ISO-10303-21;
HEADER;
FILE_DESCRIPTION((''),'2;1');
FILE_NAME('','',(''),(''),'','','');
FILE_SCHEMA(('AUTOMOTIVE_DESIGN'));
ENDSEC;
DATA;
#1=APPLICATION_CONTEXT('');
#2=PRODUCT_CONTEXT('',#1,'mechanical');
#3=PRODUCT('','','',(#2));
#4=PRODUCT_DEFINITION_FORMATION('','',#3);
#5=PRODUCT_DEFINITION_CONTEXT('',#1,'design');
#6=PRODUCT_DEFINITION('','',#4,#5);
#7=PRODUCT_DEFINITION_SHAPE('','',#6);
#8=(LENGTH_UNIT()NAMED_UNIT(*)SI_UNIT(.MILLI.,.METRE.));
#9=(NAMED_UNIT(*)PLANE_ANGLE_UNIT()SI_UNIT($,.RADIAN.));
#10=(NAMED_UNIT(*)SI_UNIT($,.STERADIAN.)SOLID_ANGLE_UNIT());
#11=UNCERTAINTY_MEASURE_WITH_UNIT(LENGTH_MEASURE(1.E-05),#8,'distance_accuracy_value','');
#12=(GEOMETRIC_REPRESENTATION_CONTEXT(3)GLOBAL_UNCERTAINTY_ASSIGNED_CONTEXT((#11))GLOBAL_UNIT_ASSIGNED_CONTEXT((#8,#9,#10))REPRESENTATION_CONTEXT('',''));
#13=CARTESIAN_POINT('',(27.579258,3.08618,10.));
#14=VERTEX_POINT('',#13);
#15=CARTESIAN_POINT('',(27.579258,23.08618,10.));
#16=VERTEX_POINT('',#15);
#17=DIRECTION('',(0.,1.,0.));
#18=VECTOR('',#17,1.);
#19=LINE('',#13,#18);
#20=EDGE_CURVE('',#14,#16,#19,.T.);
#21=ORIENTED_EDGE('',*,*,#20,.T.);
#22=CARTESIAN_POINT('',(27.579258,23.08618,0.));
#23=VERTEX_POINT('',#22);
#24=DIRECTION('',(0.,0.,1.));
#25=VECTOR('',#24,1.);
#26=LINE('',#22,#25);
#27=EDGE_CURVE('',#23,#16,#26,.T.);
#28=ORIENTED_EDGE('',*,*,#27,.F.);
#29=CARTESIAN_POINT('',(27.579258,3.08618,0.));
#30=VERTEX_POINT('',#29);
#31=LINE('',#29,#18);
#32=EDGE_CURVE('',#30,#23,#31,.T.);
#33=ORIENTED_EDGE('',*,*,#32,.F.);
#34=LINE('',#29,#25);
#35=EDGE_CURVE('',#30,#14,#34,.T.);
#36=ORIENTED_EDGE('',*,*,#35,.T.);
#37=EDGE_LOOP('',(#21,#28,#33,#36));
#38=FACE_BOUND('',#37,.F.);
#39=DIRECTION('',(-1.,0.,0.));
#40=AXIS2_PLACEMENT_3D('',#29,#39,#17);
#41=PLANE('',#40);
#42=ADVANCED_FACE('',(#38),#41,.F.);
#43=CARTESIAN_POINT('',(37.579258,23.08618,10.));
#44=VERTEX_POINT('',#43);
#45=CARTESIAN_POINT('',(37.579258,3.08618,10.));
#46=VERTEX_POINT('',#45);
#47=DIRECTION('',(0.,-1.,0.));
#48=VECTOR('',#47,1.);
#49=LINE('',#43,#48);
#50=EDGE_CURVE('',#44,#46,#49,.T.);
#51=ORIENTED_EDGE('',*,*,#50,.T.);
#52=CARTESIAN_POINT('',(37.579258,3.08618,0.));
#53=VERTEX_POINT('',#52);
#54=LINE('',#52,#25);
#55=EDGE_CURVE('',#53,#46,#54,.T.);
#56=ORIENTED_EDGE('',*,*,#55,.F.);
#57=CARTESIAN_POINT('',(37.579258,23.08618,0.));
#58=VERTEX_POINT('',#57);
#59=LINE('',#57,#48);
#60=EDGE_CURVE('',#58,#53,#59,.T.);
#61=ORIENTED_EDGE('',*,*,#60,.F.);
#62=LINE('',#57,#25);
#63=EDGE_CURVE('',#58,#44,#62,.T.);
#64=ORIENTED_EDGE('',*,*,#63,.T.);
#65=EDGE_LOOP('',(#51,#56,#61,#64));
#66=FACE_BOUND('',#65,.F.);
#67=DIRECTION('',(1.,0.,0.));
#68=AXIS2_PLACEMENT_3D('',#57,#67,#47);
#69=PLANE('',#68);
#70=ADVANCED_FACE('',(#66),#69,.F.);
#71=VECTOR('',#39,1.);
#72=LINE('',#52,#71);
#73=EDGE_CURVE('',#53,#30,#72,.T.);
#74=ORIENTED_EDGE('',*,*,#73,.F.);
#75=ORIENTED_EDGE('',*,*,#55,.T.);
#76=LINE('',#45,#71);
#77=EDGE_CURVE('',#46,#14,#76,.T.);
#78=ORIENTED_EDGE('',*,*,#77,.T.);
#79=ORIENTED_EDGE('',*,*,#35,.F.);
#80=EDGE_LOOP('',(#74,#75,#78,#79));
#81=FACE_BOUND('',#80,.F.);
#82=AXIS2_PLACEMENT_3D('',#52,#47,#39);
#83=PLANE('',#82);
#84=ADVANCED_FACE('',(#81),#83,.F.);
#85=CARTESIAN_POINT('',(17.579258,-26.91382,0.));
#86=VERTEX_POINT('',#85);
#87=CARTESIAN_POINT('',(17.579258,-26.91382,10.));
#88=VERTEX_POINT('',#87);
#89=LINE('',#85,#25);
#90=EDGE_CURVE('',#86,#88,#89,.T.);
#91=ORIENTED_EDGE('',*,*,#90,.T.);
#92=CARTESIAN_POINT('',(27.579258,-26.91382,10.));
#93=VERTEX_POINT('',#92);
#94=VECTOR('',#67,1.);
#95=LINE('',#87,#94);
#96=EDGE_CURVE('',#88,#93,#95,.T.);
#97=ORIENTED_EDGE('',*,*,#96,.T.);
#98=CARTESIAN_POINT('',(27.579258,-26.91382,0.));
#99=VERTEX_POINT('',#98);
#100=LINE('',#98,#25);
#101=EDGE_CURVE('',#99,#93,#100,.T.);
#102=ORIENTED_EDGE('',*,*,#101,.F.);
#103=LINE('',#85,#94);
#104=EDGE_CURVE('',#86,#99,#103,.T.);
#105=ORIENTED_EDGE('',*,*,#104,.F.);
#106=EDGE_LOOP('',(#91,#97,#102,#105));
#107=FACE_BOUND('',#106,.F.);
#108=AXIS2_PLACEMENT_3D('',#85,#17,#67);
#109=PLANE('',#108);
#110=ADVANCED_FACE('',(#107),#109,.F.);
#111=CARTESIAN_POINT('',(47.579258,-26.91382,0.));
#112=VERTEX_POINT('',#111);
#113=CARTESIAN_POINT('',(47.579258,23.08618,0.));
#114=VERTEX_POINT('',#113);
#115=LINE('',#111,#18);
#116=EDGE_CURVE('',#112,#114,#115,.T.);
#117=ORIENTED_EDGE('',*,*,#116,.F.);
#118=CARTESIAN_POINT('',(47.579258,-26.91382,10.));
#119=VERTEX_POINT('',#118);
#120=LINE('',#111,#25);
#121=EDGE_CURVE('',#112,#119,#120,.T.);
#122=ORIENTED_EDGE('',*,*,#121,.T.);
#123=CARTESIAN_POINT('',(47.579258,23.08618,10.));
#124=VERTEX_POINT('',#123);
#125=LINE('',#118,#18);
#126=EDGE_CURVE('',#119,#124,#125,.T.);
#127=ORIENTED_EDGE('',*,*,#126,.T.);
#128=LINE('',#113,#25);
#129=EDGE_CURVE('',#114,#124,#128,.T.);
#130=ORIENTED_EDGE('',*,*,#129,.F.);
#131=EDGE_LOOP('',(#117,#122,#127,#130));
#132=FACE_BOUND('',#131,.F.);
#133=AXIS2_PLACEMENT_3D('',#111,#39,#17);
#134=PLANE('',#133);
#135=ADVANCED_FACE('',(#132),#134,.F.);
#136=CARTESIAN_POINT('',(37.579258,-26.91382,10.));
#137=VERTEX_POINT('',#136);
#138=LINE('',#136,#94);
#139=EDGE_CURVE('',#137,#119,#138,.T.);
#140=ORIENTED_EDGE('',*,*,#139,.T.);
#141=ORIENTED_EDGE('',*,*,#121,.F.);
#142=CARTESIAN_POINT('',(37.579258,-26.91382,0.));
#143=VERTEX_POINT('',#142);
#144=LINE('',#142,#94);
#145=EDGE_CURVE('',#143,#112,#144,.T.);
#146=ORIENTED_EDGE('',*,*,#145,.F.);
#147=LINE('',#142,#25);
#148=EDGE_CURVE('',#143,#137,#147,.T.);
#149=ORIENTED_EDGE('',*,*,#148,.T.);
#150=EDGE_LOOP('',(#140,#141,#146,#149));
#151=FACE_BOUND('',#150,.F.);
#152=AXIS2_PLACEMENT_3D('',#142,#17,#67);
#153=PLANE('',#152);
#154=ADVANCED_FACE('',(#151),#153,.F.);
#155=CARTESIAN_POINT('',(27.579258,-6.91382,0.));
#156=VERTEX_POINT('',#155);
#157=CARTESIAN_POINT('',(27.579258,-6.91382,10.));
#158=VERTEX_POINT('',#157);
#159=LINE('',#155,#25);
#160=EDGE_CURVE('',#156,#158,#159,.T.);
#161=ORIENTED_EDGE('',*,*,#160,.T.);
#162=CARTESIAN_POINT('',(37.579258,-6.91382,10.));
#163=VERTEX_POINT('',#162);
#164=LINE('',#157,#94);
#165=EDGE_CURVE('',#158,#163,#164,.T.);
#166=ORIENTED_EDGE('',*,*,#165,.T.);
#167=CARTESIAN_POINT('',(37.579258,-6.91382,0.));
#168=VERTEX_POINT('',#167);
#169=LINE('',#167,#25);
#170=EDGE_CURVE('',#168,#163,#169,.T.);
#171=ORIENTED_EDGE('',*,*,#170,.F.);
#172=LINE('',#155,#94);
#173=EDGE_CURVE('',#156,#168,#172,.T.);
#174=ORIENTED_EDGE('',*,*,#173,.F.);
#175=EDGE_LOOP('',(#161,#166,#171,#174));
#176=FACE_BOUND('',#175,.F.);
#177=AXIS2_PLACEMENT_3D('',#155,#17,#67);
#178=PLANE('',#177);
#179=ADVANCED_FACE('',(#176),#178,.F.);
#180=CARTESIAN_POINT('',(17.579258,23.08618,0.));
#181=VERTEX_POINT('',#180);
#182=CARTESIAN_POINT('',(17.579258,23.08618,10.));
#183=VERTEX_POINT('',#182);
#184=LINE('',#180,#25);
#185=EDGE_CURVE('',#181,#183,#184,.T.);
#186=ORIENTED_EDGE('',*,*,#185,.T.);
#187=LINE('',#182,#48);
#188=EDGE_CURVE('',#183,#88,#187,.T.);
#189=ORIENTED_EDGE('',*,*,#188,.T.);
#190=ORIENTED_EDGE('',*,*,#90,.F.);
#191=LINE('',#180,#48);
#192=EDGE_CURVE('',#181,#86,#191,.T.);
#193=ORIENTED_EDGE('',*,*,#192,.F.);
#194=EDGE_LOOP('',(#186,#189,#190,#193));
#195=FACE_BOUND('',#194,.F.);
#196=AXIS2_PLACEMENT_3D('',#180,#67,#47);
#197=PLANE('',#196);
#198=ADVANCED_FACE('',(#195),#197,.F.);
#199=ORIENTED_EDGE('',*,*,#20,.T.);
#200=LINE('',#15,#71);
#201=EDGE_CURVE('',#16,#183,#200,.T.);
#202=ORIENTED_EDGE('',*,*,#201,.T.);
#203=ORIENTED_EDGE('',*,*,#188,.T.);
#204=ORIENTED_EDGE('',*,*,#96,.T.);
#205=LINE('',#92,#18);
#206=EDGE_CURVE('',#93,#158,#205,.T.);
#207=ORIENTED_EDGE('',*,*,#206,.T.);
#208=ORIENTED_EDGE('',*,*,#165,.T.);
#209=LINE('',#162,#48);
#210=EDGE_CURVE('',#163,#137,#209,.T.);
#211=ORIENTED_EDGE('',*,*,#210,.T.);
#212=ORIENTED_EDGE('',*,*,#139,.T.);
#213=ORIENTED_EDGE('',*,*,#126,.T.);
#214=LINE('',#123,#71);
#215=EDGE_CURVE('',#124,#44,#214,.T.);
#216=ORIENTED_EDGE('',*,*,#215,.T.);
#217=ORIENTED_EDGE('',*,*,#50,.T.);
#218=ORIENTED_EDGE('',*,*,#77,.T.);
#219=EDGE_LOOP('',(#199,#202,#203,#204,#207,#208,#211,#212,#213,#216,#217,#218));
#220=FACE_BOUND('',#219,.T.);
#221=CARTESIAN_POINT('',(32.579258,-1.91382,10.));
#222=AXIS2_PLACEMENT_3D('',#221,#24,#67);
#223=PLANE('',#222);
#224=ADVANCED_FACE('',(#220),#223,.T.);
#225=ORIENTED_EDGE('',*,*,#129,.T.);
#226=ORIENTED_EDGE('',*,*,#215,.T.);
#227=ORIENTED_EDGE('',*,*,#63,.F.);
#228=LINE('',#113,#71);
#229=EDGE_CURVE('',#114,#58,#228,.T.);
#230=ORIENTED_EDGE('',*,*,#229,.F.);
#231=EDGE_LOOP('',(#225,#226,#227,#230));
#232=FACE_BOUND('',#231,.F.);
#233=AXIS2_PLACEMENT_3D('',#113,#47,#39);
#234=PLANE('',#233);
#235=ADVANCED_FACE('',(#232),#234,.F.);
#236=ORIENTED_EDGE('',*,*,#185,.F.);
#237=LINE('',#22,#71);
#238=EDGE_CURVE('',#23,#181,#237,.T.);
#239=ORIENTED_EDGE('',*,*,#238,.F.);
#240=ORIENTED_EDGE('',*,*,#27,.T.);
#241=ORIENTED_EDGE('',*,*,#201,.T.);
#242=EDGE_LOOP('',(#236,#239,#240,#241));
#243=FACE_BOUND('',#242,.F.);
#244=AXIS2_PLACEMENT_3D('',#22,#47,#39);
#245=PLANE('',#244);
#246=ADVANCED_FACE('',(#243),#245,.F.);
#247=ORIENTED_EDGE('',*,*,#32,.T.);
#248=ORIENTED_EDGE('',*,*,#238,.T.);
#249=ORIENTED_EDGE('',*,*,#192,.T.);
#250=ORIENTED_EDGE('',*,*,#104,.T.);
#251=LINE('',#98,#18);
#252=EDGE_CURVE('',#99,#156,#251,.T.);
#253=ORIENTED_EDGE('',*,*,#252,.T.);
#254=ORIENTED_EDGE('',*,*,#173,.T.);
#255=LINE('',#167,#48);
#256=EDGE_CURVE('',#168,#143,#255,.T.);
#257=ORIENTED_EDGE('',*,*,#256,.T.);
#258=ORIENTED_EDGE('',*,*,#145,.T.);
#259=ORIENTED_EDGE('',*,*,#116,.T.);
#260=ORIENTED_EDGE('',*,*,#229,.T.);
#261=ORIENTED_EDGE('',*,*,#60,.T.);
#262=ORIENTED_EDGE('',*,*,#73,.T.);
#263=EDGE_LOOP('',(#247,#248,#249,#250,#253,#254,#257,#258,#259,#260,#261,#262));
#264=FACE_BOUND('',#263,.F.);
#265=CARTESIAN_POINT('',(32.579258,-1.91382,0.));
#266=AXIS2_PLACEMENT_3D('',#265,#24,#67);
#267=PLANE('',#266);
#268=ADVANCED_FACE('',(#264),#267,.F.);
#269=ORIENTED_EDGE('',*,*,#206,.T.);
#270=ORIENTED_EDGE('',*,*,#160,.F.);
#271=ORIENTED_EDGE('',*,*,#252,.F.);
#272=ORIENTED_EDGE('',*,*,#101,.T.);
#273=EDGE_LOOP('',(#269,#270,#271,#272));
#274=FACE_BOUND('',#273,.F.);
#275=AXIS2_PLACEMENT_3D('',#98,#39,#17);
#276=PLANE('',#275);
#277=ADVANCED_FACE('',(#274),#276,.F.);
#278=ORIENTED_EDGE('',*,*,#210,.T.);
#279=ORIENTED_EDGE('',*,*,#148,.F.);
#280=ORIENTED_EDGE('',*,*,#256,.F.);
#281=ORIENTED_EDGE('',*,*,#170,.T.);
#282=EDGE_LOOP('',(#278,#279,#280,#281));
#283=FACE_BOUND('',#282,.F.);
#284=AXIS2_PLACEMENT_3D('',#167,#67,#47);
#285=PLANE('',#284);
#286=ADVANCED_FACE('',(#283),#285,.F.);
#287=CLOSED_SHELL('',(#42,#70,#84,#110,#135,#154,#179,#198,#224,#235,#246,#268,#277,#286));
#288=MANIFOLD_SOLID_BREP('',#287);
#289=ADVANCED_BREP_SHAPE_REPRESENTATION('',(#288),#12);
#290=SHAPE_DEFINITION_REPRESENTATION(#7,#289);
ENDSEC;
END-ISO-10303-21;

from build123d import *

# Parameters (mm, degrees)
PAD_DEPTH = 10


with BuildPart() as part:
    # Sketch → Pad (new body)
    with BuildSketch(Plane.XY):
        Polygon((17.579258, 23.08618), (17.579258, -26.91382), (27.579258, -26.91382), (27.579258, -6.91382), (37.579258, -6.91382), (37.579258, -26.91382), (47.579258, -26.91382), (47.579258, 23.08618), (37.579258, 23.08618), (37.579258, 3.08618), (27.579258, 3.08618), (27.579258, 23.08618), align=None)
    extrude(amount=PAD_DEPTH)


solid = part.part
